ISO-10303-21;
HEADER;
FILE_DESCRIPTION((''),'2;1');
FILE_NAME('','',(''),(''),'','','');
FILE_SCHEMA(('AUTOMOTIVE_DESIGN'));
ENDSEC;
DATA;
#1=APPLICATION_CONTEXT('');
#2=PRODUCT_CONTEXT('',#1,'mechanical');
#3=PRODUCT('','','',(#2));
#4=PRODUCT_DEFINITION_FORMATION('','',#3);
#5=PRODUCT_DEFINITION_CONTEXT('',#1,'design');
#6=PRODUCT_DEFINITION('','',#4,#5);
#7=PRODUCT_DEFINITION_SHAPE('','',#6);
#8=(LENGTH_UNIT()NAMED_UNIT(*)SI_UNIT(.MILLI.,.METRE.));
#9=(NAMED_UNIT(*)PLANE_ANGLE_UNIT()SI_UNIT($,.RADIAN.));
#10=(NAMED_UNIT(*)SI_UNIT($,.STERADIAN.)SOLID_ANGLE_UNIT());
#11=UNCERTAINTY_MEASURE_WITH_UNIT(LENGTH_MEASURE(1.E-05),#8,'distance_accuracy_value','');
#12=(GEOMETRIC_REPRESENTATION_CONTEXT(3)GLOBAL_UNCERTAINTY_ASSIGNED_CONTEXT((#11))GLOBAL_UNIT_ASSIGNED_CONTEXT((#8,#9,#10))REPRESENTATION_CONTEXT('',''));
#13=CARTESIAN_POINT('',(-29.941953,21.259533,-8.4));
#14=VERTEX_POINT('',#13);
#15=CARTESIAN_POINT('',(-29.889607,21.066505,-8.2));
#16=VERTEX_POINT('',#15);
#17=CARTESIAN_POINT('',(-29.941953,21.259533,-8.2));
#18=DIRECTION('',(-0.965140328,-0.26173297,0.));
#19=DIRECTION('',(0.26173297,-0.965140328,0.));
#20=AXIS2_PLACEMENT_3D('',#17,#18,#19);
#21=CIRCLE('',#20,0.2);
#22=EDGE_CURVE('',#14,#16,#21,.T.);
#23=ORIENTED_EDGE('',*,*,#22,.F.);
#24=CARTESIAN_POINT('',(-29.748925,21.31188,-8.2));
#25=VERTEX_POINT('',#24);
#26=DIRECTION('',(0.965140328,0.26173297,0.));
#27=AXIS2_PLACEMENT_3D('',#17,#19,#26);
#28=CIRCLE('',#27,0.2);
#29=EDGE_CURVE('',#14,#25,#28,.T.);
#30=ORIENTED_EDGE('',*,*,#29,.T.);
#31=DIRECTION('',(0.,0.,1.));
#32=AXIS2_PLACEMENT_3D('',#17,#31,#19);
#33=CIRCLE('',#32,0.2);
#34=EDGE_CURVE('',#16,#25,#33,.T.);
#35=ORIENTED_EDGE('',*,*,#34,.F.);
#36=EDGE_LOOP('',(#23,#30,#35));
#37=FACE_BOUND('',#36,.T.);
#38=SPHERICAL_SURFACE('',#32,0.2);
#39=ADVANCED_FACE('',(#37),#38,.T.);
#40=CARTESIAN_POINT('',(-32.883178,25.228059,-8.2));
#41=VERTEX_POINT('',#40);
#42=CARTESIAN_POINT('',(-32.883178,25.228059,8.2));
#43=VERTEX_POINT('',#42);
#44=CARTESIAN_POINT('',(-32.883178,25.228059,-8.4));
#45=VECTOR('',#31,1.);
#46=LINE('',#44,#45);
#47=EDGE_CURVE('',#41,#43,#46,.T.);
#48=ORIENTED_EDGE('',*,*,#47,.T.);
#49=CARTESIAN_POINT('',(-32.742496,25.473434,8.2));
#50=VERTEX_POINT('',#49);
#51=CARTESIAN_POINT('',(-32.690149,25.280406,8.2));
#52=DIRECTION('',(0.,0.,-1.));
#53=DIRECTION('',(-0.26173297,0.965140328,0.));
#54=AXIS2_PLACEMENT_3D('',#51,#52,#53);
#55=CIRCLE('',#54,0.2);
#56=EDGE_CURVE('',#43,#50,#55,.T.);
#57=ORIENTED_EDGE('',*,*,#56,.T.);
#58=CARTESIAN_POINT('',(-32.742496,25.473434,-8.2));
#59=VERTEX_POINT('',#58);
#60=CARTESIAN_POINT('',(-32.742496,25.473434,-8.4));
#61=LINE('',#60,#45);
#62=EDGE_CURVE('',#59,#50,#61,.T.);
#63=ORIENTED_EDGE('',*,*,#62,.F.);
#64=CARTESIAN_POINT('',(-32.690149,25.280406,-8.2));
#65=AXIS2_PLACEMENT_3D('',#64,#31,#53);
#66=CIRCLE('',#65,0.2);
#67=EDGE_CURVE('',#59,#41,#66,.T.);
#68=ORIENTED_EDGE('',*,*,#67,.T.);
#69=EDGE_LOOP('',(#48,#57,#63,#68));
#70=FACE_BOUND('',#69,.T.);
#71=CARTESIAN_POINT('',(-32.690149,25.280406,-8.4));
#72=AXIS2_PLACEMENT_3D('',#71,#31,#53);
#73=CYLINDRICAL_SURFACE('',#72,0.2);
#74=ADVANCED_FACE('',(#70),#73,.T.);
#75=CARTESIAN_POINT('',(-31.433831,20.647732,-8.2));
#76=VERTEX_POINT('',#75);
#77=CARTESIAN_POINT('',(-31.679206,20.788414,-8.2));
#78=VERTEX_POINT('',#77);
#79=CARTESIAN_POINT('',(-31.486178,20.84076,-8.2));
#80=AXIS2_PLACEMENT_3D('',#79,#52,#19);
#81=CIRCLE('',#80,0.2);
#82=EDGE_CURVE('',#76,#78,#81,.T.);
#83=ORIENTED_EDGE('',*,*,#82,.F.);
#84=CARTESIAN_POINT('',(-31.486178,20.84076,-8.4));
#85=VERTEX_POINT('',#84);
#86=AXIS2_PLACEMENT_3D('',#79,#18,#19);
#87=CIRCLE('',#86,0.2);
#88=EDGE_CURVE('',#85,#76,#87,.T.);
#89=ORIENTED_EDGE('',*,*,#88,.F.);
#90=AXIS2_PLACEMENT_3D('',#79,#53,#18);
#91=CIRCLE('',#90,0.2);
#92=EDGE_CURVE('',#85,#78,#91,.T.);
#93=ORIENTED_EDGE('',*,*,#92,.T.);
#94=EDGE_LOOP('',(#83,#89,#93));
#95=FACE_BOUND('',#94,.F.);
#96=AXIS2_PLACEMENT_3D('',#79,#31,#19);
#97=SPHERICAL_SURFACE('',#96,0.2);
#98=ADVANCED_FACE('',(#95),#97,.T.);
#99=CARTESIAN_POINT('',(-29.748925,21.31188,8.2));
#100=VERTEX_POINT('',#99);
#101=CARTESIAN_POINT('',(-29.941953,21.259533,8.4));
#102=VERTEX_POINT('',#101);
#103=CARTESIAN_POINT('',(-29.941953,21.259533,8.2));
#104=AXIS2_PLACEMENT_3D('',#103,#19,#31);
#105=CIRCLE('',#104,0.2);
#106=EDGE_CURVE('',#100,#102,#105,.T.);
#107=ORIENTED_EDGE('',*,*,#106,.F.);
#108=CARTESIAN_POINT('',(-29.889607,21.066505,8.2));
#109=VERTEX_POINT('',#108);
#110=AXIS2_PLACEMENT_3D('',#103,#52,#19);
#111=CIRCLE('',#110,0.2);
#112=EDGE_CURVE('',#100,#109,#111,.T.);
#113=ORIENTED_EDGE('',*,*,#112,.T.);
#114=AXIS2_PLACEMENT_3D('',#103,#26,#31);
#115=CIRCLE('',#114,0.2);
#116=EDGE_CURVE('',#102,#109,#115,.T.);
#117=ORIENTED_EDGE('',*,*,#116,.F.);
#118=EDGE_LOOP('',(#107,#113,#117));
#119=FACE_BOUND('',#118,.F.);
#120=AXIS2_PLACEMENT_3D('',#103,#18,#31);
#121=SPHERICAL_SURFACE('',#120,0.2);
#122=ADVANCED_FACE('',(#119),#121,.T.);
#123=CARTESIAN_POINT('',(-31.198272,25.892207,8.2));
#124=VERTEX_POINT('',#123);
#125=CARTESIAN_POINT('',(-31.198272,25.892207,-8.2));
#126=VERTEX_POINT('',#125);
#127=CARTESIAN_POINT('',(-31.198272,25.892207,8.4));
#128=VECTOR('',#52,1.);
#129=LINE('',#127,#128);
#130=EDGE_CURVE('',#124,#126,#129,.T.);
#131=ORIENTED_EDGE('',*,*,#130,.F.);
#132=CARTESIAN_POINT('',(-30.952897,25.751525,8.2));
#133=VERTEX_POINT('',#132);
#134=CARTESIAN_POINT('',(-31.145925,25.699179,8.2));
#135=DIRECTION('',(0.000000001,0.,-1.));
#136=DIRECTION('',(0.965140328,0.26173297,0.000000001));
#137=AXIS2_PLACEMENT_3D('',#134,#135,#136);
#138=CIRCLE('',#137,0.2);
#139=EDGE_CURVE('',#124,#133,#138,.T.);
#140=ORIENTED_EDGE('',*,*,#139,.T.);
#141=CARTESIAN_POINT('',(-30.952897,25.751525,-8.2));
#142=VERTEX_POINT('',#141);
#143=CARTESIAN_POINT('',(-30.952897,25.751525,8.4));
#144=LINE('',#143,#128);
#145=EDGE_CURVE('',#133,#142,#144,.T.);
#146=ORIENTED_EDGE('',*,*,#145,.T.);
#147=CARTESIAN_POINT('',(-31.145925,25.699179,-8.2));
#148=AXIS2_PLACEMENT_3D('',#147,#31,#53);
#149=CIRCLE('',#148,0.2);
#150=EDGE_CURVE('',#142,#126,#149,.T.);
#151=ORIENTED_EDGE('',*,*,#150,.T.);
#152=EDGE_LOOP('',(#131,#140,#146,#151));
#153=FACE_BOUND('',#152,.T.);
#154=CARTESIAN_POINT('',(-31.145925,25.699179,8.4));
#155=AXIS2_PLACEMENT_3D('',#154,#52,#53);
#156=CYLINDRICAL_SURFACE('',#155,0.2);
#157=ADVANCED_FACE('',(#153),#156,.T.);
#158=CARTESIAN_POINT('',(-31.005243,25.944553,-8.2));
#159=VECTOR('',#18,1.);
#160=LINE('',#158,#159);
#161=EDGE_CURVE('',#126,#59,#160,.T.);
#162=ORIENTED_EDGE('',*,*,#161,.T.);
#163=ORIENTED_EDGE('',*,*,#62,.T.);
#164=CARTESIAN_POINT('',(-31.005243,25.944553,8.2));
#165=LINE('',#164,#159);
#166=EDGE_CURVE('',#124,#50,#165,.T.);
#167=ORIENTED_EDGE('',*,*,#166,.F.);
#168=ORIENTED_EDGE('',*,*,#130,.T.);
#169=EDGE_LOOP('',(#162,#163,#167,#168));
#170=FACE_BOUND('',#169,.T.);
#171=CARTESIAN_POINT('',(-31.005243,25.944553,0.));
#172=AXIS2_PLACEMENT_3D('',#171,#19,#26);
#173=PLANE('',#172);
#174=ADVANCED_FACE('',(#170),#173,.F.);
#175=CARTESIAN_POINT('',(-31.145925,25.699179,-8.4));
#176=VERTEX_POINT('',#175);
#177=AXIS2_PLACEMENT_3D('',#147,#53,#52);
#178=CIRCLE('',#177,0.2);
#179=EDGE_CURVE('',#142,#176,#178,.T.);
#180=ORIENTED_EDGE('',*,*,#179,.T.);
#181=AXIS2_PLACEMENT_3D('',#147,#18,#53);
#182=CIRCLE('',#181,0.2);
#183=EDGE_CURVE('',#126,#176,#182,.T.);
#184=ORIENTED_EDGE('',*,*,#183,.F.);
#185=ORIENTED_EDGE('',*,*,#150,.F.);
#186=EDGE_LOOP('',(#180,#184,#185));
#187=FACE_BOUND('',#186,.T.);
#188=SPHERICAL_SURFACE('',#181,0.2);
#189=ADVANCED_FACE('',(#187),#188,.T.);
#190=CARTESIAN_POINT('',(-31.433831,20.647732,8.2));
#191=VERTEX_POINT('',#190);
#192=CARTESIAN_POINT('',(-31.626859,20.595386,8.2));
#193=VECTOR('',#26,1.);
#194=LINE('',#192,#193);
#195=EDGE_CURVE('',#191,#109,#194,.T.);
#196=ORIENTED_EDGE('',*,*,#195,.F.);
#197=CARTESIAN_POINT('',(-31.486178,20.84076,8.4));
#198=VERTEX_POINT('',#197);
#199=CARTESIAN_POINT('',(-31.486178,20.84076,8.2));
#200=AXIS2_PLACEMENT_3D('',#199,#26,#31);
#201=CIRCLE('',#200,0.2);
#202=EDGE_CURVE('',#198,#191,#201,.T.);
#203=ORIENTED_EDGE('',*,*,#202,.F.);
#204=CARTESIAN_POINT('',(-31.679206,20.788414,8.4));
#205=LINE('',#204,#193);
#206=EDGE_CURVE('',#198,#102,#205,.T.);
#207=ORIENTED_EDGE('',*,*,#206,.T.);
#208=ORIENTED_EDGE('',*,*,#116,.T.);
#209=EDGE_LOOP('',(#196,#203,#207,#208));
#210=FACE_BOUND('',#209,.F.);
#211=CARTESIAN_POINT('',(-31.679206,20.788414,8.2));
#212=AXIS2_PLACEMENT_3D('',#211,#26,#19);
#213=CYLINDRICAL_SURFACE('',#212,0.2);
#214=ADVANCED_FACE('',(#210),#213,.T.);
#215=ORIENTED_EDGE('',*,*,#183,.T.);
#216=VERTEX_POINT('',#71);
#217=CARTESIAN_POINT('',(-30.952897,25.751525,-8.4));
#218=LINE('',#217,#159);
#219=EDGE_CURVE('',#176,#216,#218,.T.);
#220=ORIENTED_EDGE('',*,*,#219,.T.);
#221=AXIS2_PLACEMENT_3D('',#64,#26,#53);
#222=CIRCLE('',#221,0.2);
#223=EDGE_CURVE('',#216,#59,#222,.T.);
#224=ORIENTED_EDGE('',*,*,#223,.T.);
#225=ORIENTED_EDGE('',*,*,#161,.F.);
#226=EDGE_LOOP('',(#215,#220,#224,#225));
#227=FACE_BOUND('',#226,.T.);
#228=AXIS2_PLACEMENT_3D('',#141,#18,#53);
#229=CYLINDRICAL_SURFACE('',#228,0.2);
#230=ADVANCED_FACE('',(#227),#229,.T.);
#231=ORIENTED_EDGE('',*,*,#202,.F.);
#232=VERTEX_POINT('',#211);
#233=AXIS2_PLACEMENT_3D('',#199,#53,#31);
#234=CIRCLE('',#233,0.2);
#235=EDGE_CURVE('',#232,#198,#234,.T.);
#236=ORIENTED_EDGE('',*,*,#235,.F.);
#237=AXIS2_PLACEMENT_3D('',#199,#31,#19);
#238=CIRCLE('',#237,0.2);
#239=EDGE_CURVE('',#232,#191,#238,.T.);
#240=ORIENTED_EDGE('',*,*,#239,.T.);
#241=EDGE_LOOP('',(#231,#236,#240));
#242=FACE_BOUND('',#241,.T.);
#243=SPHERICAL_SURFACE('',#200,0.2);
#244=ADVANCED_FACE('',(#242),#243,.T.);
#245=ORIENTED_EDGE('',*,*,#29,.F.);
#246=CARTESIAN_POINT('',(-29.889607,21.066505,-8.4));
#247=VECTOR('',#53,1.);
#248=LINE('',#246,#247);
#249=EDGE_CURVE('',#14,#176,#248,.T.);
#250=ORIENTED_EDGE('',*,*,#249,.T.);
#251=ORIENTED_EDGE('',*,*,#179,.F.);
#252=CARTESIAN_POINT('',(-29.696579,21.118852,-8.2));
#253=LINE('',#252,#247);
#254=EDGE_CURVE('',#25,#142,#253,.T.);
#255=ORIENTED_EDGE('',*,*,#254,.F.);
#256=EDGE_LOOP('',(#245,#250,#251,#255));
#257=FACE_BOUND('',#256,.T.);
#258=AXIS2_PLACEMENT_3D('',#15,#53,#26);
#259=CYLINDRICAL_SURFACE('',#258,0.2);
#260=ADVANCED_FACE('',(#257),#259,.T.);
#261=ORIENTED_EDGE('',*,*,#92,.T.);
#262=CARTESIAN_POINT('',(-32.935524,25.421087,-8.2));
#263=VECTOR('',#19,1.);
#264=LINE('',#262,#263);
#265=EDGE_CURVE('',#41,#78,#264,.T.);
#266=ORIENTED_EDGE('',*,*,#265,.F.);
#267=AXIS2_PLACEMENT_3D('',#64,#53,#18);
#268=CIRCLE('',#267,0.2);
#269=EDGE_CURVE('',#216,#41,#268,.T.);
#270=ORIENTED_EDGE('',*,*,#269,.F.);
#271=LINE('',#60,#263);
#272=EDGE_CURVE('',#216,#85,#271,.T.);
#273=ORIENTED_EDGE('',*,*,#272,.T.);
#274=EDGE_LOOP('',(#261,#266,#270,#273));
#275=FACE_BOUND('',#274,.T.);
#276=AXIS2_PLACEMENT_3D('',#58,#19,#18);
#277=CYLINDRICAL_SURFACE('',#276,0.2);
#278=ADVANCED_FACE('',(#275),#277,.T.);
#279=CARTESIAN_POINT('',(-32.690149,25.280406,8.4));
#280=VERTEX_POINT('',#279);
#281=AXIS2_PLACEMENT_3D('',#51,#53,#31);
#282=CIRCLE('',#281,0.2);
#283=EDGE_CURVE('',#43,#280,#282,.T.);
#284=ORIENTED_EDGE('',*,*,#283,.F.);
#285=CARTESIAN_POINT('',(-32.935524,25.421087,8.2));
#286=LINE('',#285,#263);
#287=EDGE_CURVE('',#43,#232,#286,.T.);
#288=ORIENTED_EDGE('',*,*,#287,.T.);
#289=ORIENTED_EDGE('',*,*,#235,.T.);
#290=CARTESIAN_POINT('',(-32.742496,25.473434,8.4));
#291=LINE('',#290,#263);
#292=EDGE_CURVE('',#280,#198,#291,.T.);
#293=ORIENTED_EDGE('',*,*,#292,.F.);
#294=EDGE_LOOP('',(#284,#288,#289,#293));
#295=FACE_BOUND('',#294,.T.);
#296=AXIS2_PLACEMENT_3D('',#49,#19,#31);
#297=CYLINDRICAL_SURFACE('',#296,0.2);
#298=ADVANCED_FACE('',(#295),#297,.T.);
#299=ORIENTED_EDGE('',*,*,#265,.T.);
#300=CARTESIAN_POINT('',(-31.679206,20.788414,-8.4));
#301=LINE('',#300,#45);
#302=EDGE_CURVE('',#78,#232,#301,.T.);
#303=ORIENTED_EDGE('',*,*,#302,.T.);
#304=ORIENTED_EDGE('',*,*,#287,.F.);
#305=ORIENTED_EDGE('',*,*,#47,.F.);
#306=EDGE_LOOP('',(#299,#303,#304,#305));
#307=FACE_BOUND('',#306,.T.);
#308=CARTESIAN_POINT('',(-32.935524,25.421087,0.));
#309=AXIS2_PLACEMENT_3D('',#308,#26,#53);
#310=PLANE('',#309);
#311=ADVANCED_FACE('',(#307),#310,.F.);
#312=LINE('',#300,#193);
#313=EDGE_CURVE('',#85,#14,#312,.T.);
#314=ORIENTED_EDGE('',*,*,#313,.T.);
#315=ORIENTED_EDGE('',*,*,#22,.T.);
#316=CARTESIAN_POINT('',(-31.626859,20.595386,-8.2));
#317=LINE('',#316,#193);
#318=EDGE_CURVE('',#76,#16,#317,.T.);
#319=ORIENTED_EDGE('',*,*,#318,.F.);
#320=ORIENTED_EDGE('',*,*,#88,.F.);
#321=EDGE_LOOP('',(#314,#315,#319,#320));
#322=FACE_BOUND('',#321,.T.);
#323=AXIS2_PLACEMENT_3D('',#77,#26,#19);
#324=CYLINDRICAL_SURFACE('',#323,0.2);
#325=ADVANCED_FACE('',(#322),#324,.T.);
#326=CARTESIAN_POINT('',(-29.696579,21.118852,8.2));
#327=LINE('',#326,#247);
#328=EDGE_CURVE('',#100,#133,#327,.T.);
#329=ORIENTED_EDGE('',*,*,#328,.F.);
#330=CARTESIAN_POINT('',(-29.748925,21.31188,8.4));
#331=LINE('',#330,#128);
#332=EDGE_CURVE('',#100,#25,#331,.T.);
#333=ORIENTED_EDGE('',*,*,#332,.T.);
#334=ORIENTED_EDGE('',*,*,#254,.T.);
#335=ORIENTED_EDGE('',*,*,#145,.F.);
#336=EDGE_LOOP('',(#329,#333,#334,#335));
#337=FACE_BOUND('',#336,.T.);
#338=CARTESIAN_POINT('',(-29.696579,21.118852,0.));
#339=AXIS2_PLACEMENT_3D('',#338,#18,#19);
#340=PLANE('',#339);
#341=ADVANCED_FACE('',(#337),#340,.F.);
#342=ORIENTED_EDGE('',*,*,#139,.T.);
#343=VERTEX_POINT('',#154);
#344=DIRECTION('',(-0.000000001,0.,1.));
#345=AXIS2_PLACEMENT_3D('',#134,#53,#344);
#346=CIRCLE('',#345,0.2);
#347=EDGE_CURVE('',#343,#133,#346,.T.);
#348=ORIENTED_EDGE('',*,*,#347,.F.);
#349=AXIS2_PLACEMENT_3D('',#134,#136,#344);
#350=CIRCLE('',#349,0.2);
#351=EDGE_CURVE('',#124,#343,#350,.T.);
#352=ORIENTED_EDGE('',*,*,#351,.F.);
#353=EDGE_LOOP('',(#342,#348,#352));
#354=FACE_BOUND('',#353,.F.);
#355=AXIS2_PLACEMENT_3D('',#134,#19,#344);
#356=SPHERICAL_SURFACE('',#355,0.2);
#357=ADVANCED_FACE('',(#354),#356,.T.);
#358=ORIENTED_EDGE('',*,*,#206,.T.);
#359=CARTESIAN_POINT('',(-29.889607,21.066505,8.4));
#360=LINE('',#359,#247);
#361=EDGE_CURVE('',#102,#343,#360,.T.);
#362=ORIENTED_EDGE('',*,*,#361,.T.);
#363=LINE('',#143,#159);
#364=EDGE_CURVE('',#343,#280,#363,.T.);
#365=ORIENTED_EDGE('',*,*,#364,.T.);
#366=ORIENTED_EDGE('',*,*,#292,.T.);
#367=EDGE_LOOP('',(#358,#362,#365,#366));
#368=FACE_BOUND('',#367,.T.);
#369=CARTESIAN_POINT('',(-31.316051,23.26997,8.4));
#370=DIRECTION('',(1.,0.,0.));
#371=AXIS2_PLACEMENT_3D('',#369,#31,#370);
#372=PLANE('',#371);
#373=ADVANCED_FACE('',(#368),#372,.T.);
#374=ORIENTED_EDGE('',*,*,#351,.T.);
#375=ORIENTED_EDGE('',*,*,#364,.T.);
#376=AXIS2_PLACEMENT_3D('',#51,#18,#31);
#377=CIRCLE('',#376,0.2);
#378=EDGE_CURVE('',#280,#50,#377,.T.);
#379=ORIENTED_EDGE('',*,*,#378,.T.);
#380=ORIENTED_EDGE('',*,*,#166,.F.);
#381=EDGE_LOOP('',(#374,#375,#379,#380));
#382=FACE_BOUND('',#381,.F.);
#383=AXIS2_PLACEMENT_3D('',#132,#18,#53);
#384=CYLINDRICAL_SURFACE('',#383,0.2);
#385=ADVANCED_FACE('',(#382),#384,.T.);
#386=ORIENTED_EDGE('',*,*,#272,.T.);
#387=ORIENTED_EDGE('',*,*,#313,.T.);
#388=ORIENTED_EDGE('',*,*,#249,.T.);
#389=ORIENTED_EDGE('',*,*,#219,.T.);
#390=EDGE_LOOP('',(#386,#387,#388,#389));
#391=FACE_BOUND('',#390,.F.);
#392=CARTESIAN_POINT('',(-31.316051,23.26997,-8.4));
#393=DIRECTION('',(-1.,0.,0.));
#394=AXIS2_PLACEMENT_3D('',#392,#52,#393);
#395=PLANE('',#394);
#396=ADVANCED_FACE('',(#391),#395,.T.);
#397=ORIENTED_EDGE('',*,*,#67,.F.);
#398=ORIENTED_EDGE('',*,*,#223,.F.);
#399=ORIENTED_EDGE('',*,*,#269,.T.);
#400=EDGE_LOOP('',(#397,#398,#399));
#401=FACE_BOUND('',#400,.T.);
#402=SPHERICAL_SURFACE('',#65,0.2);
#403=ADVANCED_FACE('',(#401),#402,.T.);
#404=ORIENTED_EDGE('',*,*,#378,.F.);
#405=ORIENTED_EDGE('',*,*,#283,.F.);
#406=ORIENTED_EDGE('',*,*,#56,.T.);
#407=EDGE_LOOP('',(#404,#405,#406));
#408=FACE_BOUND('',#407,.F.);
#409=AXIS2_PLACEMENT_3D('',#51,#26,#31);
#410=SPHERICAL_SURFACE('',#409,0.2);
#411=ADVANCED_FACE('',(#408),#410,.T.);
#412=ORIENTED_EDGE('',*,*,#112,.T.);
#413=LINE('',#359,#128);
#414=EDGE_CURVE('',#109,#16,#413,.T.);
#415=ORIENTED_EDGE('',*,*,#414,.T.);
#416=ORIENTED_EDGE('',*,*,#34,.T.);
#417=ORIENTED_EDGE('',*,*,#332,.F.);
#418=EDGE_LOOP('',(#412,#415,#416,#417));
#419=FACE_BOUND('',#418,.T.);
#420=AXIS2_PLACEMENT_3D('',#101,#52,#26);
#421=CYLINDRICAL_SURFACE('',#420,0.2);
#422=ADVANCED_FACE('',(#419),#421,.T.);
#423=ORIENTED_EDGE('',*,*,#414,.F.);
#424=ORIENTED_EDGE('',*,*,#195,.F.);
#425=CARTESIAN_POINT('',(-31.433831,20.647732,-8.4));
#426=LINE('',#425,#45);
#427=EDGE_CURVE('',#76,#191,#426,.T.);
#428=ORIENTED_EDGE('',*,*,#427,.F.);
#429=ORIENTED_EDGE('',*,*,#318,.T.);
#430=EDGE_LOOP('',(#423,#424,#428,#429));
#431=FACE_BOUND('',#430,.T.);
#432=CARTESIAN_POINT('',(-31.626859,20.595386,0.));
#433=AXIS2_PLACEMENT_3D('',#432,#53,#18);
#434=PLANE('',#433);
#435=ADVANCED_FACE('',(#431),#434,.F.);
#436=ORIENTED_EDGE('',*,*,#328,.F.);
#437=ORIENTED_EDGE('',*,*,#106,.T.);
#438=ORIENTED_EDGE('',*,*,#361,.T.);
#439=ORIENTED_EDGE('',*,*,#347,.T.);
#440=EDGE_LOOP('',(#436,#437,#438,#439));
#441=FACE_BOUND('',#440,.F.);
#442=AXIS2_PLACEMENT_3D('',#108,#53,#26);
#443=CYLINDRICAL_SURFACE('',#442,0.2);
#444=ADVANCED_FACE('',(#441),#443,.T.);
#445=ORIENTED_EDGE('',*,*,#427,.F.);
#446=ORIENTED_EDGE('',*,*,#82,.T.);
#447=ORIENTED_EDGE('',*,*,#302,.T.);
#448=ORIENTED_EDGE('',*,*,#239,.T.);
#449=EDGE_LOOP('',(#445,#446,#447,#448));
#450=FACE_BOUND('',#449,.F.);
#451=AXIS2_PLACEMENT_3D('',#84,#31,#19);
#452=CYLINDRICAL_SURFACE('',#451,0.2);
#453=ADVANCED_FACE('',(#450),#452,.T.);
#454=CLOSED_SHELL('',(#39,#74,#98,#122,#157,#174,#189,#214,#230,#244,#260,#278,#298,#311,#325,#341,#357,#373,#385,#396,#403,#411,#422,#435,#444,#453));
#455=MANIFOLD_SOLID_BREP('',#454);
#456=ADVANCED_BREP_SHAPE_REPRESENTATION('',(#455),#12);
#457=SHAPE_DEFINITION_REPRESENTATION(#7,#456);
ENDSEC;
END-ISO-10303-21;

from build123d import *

# Parameters (mm, degrees)
F2_DEPTH = 8.4
F4_R     = 0.2


with BuildPart() as f2:
    # F1 (on Top) → F2 (new body)
    with BuildSketch(Plane.XY):
        Polygon((-31.005243456, 25.9445533505), (-32.9355241115, 25.4210874101), (-31.6268592603, 20.5953857712), (-29.6965786048, 21.1188517117), align=None)
    extrude(amount=F2_DEPTH)

    # F3: F2 across plane


with BuildPart() as f2_1:
    add(f2.part)
    add(f2.part.mirror(Plane.XY))

    # F4
    f4_edges = [f2_1.edges().sort_by_distance(p)[0] for p in [
        (-30.661719, 20.857119, 8.4),
        (-30.350911, 23.531703, 8.4),
        (-31.970384, 25.68282, 8.4),
        (-32.281192, 23.008237, 8.4),
        (-31.626859, 20.595386, 0),
        (-29.696579, 21.118852, 0),
        (-30.661719, 20.857119, -8.4),
        (-32.935524, 25.421087, 0),
        (-31.970384, 25.68282, -8.4),
        (-31.005243, 25.944553, 0),
        (-30.350911, 23.531703, -8.4),
        (-32.281192, 23.008237, -8.4),
    ]]
    fillet(f4_edges, radius=F4_R)


solid = f2_1.part
